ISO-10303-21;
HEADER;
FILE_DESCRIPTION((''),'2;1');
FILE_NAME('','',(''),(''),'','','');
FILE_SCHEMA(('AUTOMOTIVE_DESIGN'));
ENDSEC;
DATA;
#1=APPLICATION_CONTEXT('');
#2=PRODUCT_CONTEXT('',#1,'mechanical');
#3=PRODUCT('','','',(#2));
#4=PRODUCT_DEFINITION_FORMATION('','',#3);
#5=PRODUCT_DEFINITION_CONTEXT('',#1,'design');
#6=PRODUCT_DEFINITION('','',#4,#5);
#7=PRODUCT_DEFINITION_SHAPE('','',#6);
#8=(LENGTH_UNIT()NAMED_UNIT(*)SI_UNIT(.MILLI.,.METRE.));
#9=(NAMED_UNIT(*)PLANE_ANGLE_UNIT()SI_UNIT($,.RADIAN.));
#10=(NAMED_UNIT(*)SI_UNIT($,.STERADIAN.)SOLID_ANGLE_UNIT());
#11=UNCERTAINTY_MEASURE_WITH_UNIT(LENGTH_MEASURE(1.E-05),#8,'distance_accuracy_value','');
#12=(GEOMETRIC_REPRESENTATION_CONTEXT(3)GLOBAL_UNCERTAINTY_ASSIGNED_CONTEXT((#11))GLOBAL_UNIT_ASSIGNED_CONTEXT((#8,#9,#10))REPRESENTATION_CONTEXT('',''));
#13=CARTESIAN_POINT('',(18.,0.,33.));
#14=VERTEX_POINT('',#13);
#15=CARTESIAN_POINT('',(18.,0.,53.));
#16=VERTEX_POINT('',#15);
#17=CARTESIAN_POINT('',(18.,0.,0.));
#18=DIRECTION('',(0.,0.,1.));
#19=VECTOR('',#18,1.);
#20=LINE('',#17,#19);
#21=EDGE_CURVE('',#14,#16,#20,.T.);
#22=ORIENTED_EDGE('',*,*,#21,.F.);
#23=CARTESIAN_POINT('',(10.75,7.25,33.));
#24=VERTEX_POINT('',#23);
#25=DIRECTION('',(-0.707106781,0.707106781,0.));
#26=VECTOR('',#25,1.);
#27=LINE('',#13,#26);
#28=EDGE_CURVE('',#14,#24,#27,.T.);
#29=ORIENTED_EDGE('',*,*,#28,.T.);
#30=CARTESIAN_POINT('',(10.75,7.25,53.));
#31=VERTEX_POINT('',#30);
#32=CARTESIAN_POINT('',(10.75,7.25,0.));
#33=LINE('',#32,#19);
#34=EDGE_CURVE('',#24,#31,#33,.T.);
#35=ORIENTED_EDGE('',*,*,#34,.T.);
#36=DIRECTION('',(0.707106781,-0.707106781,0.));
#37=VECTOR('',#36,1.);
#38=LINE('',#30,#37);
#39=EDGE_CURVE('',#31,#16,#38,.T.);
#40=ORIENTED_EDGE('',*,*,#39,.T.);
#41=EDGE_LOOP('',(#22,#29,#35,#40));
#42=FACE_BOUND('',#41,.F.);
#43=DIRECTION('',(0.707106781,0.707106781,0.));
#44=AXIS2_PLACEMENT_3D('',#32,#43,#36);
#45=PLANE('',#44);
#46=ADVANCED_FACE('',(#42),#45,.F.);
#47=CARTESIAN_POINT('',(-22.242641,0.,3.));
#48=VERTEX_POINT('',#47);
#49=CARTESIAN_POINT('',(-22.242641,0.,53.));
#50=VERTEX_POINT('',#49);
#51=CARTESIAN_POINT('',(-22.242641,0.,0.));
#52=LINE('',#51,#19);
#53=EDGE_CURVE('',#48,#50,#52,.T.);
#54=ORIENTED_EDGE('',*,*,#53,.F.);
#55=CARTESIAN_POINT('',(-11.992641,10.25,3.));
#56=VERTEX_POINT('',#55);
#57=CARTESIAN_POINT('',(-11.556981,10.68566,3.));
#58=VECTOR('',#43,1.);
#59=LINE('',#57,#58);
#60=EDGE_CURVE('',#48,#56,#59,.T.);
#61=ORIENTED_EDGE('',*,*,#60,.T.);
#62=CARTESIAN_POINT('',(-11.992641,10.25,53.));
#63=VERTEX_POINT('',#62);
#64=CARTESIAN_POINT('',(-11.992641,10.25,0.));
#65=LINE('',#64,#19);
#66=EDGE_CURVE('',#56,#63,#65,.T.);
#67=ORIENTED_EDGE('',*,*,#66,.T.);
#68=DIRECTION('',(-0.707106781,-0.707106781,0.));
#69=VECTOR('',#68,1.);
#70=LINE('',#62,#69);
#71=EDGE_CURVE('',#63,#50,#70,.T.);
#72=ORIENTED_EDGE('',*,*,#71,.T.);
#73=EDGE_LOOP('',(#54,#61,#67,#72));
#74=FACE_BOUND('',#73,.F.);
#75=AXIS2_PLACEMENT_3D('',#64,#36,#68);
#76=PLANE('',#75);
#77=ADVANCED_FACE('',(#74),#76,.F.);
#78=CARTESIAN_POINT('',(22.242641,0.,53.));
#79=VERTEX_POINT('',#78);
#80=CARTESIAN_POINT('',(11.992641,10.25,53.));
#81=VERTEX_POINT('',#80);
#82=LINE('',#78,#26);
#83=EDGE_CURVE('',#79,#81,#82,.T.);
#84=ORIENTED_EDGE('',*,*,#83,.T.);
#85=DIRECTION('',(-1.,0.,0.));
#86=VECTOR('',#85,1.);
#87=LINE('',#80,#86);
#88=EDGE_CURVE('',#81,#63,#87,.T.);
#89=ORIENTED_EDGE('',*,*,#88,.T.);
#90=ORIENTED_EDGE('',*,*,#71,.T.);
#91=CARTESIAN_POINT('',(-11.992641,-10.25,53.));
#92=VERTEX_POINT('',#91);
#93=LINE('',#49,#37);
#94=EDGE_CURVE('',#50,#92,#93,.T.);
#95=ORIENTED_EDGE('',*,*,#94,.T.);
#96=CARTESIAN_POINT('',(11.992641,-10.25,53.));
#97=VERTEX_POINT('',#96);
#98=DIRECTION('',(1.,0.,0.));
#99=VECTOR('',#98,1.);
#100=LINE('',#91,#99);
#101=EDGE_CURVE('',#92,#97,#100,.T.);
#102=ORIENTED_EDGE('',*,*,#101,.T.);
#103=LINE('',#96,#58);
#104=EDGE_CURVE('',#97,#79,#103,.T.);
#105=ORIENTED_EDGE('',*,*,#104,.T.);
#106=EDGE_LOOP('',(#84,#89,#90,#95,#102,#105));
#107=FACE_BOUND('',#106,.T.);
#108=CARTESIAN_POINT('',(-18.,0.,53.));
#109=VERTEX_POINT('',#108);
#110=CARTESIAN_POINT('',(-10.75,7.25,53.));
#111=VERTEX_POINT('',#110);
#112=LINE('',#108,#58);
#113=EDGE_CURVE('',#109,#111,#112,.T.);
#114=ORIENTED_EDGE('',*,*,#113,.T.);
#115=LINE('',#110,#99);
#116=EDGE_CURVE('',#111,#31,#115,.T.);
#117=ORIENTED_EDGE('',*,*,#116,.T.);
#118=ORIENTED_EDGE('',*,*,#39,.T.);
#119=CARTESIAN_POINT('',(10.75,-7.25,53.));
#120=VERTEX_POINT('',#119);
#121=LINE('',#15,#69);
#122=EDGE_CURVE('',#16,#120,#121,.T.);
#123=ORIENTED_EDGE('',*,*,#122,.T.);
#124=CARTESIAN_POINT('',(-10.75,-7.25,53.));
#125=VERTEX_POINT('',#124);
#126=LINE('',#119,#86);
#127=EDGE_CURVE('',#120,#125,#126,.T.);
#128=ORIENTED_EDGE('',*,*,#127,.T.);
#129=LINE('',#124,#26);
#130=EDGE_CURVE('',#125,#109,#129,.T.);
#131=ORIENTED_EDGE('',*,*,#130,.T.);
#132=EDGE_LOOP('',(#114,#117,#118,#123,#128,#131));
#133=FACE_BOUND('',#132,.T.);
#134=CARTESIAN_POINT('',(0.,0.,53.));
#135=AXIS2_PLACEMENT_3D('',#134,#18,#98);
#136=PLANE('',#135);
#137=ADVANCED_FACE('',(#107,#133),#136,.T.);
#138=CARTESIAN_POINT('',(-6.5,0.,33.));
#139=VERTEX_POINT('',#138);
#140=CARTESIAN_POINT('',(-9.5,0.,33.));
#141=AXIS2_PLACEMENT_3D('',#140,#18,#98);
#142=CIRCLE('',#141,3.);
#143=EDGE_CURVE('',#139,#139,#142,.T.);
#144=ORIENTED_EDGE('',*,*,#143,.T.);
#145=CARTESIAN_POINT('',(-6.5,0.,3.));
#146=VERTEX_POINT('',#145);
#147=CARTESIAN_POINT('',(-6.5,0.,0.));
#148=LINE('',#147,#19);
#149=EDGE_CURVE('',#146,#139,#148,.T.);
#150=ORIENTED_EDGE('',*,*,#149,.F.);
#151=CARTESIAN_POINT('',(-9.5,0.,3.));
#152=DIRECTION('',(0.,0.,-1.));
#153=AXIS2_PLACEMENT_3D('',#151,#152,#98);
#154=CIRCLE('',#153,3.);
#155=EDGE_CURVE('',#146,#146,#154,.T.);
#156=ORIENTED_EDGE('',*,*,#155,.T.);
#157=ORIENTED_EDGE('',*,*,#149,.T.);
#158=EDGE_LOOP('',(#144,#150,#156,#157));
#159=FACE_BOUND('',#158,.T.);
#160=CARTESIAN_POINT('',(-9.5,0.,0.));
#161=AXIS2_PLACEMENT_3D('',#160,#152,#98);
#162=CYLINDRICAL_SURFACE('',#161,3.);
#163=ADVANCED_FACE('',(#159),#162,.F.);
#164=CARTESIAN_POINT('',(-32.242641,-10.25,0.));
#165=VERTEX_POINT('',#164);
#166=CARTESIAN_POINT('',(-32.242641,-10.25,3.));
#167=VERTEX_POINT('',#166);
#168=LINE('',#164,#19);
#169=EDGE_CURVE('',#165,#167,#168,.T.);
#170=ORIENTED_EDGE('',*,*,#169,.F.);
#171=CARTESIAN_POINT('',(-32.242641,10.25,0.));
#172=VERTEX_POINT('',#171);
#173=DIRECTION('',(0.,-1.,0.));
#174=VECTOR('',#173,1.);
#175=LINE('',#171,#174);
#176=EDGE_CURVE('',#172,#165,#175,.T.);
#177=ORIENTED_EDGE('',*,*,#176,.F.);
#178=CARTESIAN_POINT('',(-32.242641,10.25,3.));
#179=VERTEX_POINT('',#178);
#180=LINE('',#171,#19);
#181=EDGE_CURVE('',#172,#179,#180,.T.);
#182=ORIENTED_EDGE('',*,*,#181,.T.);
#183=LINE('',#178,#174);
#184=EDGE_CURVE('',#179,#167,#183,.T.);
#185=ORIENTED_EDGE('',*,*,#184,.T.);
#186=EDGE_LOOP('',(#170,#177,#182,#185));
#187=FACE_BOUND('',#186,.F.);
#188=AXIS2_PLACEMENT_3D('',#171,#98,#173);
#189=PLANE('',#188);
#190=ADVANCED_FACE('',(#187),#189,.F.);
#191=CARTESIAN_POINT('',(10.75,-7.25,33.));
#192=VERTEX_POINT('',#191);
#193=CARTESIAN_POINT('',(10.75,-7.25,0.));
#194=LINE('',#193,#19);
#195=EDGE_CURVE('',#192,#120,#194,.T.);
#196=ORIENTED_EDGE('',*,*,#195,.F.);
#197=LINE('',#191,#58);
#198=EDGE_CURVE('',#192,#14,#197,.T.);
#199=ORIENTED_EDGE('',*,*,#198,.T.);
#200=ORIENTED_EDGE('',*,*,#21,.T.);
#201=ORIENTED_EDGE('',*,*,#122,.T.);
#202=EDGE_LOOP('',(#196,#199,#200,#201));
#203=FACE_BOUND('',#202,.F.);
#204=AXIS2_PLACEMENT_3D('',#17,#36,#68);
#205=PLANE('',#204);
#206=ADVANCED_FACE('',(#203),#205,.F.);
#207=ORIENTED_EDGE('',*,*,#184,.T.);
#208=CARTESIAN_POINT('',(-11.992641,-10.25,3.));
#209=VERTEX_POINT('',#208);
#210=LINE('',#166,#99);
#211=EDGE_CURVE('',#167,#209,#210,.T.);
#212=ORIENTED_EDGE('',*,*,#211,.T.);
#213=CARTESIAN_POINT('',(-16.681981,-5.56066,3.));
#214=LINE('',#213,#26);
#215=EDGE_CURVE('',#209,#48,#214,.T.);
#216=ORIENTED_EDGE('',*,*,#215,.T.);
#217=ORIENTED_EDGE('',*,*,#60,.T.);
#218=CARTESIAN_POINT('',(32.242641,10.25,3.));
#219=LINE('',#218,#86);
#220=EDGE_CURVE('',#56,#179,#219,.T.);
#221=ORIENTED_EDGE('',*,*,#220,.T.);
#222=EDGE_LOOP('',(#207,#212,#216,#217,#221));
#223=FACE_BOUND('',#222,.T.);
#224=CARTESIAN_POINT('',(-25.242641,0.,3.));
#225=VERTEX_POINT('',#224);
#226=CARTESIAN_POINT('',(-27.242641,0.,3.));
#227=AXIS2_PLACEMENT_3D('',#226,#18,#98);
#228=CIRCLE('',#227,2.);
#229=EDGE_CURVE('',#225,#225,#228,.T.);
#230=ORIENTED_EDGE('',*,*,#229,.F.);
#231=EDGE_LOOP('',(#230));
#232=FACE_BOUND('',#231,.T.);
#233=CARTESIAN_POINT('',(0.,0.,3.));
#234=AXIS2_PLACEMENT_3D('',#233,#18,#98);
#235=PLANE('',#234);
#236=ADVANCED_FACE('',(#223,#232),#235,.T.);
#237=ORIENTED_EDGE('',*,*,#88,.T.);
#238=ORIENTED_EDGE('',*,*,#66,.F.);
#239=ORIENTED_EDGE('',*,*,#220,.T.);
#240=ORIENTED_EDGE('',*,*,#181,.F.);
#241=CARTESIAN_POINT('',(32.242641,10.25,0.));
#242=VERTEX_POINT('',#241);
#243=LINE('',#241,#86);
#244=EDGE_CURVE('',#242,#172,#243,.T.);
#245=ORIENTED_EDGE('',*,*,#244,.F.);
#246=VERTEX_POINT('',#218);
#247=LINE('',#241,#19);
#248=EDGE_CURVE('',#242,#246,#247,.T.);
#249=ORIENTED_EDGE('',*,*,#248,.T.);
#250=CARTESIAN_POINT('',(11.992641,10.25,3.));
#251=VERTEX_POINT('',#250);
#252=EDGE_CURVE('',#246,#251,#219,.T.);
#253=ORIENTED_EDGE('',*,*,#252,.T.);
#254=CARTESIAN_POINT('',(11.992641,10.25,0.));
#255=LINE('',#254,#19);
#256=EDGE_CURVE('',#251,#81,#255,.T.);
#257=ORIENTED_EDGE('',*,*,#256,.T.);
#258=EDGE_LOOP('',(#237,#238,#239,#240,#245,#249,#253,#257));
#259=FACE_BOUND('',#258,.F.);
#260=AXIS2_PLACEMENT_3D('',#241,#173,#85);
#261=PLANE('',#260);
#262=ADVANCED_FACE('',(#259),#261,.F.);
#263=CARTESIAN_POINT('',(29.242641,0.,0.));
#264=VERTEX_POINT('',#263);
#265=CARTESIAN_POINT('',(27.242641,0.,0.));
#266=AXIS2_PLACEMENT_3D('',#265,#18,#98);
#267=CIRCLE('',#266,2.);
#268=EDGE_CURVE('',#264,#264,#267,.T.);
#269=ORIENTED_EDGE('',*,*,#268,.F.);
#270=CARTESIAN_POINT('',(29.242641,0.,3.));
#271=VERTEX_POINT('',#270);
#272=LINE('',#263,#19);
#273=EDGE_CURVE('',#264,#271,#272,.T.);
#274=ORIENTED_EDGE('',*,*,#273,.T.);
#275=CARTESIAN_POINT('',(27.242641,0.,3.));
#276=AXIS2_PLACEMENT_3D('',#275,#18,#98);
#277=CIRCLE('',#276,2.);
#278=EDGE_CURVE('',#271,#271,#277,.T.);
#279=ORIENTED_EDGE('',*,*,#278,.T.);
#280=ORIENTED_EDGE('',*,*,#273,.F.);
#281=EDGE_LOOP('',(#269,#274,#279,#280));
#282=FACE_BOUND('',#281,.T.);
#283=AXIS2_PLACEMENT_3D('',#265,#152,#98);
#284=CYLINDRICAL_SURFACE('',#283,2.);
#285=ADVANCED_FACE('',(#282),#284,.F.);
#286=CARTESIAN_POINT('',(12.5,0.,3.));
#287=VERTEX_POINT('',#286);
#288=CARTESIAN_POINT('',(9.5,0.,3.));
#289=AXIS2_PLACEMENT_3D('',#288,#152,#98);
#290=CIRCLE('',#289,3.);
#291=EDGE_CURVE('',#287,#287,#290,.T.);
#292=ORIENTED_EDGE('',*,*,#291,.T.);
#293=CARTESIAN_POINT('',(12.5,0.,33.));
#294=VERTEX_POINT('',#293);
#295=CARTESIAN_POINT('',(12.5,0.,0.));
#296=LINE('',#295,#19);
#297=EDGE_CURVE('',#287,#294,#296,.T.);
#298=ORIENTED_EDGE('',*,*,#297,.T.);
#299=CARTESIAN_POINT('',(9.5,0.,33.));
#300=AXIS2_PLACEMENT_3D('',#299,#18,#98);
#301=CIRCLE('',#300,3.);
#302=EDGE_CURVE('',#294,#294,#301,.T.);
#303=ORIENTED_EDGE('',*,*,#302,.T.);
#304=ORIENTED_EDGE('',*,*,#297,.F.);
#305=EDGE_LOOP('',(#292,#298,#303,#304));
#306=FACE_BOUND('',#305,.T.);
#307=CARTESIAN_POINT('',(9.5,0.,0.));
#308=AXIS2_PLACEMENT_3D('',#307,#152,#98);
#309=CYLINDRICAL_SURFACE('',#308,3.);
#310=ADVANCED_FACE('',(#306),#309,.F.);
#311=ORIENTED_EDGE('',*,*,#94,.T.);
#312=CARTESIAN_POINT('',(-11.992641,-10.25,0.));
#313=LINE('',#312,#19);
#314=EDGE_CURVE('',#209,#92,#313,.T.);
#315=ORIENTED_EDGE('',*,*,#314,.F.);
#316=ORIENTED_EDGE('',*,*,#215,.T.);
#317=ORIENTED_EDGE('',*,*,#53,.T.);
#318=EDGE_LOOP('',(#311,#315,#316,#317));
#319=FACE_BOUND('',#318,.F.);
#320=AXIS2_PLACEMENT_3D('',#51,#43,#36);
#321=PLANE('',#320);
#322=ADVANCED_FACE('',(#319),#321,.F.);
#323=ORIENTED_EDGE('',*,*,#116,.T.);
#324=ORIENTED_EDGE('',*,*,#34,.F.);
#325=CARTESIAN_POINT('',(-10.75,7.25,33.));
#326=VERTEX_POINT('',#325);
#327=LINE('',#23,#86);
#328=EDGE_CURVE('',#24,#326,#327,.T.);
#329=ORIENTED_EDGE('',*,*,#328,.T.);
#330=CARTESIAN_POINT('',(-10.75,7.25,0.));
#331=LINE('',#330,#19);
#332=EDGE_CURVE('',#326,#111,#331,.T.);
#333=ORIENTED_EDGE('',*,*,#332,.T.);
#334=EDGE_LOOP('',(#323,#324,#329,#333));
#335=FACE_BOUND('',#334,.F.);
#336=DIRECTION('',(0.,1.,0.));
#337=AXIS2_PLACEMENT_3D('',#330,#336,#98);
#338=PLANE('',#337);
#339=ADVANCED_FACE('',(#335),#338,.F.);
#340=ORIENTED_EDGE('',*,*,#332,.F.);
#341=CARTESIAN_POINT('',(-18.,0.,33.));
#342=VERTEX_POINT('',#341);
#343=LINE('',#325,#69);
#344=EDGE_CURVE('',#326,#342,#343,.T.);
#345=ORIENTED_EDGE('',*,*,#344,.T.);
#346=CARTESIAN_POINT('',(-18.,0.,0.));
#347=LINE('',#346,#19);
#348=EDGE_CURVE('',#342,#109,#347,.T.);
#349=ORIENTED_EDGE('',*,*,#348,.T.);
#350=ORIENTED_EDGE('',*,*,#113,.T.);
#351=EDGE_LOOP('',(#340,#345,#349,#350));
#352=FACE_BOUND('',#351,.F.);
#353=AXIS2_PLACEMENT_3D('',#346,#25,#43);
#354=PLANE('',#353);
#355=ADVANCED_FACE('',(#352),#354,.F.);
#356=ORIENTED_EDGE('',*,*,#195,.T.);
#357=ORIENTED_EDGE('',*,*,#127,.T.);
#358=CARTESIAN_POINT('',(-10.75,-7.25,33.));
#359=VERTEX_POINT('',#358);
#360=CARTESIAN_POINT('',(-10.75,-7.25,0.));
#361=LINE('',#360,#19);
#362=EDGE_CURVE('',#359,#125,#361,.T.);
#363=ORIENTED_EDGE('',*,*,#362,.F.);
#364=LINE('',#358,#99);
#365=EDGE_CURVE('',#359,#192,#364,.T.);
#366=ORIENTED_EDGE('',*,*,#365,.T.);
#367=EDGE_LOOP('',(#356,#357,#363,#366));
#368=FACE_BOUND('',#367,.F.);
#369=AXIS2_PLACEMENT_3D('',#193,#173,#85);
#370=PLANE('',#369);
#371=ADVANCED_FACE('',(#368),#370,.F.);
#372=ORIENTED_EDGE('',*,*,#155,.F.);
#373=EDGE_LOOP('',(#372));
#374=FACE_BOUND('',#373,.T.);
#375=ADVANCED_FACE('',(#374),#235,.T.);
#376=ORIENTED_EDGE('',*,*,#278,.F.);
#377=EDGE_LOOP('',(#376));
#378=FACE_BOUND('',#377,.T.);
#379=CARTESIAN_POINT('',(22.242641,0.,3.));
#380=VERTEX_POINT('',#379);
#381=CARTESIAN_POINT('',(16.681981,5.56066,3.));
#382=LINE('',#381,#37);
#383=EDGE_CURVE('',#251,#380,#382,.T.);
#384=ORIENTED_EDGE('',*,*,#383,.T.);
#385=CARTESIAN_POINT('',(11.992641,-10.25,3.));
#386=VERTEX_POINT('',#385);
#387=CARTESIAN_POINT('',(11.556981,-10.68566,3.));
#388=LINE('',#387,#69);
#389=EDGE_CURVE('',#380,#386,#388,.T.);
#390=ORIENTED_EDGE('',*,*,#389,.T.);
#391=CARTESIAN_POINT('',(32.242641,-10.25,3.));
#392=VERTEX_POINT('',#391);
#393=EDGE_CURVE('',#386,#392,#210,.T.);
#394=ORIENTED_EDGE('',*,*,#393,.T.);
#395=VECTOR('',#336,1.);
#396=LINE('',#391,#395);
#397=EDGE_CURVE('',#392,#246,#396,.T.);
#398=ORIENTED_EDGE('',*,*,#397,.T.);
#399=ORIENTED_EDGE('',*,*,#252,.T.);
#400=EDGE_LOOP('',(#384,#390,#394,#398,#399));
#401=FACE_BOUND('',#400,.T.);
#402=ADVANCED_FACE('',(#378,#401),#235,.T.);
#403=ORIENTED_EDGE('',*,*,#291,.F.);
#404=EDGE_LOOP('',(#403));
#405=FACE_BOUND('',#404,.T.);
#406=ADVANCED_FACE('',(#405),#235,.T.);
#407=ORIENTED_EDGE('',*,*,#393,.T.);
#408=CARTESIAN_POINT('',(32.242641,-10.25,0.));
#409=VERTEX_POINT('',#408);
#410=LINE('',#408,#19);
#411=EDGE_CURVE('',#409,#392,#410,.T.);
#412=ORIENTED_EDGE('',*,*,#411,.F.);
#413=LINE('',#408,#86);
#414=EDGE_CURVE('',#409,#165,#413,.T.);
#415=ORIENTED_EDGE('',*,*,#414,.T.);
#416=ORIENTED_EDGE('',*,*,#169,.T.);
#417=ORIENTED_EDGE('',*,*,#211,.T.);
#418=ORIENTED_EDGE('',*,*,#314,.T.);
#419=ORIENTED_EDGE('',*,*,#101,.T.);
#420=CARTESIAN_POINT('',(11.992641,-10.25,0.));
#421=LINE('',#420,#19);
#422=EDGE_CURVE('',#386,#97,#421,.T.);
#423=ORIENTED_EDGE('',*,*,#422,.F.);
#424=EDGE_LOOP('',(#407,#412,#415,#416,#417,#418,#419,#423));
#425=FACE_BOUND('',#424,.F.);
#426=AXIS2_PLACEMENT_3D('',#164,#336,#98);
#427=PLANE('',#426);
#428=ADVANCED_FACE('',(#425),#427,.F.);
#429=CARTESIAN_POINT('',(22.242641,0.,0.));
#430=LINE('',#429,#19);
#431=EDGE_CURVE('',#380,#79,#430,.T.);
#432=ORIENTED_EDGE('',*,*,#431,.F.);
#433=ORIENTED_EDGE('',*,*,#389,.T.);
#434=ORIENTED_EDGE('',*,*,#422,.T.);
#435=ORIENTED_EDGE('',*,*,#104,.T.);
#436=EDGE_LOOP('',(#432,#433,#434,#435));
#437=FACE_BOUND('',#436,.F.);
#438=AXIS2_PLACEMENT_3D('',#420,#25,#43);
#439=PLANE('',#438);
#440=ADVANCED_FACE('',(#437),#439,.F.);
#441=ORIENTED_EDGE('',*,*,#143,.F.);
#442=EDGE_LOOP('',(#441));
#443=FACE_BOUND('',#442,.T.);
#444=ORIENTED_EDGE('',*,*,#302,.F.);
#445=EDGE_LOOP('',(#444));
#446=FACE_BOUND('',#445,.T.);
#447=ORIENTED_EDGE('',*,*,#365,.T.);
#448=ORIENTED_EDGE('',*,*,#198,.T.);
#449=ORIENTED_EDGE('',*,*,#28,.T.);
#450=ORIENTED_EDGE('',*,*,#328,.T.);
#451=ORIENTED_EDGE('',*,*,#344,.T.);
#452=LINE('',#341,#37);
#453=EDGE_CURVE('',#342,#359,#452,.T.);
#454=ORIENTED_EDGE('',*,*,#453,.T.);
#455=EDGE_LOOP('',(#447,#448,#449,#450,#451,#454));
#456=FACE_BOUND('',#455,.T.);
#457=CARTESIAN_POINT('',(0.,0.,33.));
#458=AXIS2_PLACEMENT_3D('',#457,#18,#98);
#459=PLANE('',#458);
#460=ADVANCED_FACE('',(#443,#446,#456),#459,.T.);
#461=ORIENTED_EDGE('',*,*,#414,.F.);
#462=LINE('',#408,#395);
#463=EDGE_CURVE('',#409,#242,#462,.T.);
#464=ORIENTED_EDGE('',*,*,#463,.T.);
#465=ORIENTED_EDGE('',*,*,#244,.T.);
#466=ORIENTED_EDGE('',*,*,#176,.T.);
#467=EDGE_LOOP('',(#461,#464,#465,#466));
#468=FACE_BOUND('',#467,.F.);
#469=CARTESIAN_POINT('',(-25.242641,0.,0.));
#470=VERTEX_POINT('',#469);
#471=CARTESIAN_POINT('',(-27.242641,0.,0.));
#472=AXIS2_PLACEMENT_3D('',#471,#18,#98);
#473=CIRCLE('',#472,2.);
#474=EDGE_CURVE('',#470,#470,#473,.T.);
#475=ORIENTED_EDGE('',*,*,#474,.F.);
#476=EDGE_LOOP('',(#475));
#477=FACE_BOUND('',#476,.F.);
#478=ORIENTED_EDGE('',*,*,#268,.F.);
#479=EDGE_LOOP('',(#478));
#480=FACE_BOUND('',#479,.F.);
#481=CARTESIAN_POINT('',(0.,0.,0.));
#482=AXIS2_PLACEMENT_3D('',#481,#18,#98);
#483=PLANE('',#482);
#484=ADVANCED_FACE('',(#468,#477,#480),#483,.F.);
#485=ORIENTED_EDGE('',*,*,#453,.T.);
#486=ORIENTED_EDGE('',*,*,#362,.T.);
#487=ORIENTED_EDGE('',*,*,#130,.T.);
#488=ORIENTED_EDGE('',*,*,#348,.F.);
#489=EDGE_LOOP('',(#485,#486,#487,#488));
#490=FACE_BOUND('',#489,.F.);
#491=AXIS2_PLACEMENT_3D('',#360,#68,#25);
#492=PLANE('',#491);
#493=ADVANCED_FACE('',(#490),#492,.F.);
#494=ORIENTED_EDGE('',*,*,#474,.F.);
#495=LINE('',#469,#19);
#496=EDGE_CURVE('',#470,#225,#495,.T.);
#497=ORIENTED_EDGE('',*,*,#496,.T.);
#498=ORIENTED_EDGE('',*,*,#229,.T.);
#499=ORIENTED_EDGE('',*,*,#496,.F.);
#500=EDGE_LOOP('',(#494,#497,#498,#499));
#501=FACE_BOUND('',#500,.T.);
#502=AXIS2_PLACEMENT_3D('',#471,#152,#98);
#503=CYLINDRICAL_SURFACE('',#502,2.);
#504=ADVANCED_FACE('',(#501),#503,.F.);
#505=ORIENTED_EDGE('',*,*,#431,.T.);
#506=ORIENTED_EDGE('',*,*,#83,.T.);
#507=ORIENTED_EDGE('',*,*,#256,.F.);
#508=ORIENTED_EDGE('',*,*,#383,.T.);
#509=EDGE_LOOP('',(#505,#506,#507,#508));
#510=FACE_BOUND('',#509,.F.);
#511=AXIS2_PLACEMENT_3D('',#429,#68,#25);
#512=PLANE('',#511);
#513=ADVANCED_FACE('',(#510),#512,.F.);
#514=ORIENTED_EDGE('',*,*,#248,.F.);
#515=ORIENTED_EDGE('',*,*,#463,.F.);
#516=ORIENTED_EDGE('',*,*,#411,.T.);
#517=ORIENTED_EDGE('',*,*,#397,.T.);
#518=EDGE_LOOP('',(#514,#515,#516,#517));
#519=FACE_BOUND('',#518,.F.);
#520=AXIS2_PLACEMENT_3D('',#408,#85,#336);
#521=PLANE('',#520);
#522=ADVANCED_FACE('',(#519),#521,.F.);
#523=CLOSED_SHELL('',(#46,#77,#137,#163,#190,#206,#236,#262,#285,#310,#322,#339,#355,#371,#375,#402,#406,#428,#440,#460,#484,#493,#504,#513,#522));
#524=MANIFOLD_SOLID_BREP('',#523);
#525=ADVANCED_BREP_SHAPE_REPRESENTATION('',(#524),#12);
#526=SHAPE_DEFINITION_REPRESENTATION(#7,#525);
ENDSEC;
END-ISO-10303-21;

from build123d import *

# Parameters (mm, degrees)
F0_R     = 3
F0_R_2   = 2
F1_DEPTH = 3
F2_DEPTH = 53
F3_DEPTH = 33


with BuildPart() as f1:
    # F0 (on Top) → F1 (new body)
    with BuildSketch(Plane.XY):
        Polygon((-11.9926406871, 10.25), (-22.2426406871, 0), (-11.9926406871, -10.25), (11.9926406871, -10.25), (22.2426406871, 0), (11.9926406871, 10.25), align=None)
        Polygon((-18, 0), (-10.75, 7.25), (10.75, 7.25), (18, 0), (10.75, -7.25), (-10.75, -7.25), align=None, mode=Mode.SUBTRACT)
        Polygon((10.75, 7.25), (-10.75, 7.25), (-18, 0), (-10.75, -7.25), (10.75, -7.25), (18, 0), align=None)
        with Locations((-9.5, 0)):
            Circle(F0_R, mode=Mode.SUBTRACT)
        with Locations((9.5, 0)):
            Circle(F0_R, mode=Mode.SUBTRACT)
        Polygon((32.2426406871, 10.25), (11.9926406871, 10.25), (22.2426406871, 0), (11.9926406871, -10.25), (32.2426406871, -10.25), align=None)
        with Locations((27.2426406871, 0)):
            Circle(F0_R_2, mode=Mode.SUBTRACT)
        Polygon((-11.9926406871, -10.25), (-22.2426406871, 0), (-11.9926406871, 10.25), (-32.2426406871, 10.25), (-32.2426406871, -10.25), align=None)
        with Locations((-27.2426406871, 0)):
            Circle(F0_R_2, mode=Mode.SUBTRACT)
        with Locations((-9.5, 0)):
            Circle(F0_R)
        with Locations((9.5, 0)):
            Circle(F0_R)
    extrude(amount=F1_DEPTH)

    # F0 (on Top) → F2 (join)
    with BuildSketch(Plane.XY):
        Polygon((-11.9926406871, 10.25), (-22.2426406871, 0), (-11.9926406871, -10.25), (11.9926406871, -10.25), (22.2426406871, 0), (11.9926406871, 10.25), align=None)
        Polygon((-18, 0), (-10.75, 7.25), (10.75, 7.25), (18, 0), (10.75, -7.25), (-10.75, -7.25), align=None, mode=Mode.SUBTRACT)
    extrude(amount=F2_DEPTH)

    # F0 (on Top) → F3 (join)
    with BuildSketch(Plane.XY):
        Polygon((10.75, 7.25), (-10.75, 7.25), (-18, 0), (-10.75, -7.25), (10.75, -7.25), (18, 0), align=None)
        with Locations((-9.5, 0)):
            Circle(F0_R, mode=Mode.SUBTRACT)
        with Locations((9.5, 0)):
            Circle(F0_R, mode=Mode.SUBTRACT)
    extrude(amount=F3_DEPTH)


solid = f1.part
